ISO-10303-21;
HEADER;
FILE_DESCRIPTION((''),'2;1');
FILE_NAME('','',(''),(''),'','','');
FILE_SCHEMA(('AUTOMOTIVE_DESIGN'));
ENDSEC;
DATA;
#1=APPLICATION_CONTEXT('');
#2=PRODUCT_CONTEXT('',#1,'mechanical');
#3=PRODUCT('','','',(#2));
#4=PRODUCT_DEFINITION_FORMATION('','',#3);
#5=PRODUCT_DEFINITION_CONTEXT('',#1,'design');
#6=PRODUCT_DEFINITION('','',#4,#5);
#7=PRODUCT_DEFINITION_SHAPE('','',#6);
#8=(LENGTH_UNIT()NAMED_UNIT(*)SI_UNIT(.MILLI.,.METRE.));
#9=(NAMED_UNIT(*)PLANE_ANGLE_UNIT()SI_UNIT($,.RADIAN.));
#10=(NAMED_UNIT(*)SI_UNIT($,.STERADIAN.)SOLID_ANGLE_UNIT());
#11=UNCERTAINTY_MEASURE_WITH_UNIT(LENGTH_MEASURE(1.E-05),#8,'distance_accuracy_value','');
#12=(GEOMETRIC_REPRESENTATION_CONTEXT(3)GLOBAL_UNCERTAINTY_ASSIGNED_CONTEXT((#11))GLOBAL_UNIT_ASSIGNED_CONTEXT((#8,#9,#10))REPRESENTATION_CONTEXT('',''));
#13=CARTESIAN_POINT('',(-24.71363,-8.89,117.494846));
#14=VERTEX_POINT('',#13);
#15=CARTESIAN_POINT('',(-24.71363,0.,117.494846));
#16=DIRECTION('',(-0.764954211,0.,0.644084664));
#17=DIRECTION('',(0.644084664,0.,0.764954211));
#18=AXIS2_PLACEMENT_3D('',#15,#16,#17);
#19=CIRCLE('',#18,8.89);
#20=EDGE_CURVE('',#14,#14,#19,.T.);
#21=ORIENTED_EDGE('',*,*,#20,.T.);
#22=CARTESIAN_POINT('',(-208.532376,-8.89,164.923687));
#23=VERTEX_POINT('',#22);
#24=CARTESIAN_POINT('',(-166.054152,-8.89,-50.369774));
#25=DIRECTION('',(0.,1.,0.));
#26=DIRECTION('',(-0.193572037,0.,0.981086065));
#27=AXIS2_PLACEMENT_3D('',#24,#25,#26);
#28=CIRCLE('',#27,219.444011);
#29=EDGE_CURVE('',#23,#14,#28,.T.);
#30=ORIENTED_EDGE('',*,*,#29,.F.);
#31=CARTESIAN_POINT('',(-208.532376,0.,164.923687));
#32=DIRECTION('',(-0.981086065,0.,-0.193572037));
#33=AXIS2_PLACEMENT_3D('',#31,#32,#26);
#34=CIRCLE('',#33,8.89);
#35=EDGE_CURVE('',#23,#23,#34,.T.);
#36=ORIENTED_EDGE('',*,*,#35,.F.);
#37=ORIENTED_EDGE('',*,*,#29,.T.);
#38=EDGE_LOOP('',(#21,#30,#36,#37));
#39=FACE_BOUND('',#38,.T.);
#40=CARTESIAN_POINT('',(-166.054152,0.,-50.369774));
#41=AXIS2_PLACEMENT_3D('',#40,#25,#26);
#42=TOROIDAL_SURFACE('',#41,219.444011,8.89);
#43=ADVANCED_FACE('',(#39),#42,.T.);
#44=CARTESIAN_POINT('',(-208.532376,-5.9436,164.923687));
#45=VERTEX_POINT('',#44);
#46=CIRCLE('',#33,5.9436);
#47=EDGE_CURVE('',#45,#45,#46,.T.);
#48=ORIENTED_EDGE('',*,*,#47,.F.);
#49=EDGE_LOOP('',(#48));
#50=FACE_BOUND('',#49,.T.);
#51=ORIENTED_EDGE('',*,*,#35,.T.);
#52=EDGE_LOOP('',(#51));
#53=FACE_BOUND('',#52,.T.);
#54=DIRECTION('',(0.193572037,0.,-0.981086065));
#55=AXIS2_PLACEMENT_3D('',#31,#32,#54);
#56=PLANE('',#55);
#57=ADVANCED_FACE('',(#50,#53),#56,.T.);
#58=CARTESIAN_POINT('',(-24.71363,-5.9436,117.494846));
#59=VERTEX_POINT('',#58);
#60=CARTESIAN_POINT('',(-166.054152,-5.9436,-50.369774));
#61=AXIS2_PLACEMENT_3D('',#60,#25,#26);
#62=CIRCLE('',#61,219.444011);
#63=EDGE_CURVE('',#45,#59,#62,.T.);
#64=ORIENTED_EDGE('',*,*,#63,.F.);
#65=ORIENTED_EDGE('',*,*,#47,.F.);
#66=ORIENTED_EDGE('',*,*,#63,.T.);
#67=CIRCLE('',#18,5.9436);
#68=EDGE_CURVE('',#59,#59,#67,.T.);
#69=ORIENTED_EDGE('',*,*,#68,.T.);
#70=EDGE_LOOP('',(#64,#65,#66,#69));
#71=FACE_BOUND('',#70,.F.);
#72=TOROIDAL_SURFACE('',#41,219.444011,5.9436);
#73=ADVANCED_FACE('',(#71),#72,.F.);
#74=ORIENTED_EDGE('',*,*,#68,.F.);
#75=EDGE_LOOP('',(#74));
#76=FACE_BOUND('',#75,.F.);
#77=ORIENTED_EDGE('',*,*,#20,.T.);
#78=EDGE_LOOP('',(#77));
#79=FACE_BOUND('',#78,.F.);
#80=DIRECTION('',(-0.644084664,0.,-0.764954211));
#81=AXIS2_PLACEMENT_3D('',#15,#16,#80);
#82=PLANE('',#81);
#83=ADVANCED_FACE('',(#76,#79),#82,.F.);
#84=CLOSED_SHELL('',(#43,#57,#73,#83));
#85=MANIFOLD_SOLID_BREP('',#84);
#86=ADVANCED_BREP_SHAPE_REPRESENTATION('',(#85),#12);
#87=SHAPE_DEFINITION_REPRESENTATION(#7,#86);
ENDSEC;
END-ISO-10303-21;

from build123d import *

# Parameters (mm, degrees)
F2_R   = 8.89
F2_R_2 = 5.9436


with BuildPart() as f3:
    # F3: sweep along a path in F0
    with BuildLine(Plane.XZ) as f3_path:
        ThreePointArc((-208.532376, 164.923688), (-111.228863, 162.115195), (-24.713629, 117.494847))
    # F2 (on face) → F3 (sweep)
    with BuildSketch(Plane(origin=(-169.397843, 0, -33.422845), x_dir=(0, -1, 0), z_dir=(-0.981086, 0, -0.193572))):
        with Locations((0, 202.17037)):
            Circle(F2_R)
        with Locations((0, 202.17037)):
            Circle(F2_R_2, mode=Mode.SUBTRACT)
    sweep(path=f3_path.line)


solid = f3.part
